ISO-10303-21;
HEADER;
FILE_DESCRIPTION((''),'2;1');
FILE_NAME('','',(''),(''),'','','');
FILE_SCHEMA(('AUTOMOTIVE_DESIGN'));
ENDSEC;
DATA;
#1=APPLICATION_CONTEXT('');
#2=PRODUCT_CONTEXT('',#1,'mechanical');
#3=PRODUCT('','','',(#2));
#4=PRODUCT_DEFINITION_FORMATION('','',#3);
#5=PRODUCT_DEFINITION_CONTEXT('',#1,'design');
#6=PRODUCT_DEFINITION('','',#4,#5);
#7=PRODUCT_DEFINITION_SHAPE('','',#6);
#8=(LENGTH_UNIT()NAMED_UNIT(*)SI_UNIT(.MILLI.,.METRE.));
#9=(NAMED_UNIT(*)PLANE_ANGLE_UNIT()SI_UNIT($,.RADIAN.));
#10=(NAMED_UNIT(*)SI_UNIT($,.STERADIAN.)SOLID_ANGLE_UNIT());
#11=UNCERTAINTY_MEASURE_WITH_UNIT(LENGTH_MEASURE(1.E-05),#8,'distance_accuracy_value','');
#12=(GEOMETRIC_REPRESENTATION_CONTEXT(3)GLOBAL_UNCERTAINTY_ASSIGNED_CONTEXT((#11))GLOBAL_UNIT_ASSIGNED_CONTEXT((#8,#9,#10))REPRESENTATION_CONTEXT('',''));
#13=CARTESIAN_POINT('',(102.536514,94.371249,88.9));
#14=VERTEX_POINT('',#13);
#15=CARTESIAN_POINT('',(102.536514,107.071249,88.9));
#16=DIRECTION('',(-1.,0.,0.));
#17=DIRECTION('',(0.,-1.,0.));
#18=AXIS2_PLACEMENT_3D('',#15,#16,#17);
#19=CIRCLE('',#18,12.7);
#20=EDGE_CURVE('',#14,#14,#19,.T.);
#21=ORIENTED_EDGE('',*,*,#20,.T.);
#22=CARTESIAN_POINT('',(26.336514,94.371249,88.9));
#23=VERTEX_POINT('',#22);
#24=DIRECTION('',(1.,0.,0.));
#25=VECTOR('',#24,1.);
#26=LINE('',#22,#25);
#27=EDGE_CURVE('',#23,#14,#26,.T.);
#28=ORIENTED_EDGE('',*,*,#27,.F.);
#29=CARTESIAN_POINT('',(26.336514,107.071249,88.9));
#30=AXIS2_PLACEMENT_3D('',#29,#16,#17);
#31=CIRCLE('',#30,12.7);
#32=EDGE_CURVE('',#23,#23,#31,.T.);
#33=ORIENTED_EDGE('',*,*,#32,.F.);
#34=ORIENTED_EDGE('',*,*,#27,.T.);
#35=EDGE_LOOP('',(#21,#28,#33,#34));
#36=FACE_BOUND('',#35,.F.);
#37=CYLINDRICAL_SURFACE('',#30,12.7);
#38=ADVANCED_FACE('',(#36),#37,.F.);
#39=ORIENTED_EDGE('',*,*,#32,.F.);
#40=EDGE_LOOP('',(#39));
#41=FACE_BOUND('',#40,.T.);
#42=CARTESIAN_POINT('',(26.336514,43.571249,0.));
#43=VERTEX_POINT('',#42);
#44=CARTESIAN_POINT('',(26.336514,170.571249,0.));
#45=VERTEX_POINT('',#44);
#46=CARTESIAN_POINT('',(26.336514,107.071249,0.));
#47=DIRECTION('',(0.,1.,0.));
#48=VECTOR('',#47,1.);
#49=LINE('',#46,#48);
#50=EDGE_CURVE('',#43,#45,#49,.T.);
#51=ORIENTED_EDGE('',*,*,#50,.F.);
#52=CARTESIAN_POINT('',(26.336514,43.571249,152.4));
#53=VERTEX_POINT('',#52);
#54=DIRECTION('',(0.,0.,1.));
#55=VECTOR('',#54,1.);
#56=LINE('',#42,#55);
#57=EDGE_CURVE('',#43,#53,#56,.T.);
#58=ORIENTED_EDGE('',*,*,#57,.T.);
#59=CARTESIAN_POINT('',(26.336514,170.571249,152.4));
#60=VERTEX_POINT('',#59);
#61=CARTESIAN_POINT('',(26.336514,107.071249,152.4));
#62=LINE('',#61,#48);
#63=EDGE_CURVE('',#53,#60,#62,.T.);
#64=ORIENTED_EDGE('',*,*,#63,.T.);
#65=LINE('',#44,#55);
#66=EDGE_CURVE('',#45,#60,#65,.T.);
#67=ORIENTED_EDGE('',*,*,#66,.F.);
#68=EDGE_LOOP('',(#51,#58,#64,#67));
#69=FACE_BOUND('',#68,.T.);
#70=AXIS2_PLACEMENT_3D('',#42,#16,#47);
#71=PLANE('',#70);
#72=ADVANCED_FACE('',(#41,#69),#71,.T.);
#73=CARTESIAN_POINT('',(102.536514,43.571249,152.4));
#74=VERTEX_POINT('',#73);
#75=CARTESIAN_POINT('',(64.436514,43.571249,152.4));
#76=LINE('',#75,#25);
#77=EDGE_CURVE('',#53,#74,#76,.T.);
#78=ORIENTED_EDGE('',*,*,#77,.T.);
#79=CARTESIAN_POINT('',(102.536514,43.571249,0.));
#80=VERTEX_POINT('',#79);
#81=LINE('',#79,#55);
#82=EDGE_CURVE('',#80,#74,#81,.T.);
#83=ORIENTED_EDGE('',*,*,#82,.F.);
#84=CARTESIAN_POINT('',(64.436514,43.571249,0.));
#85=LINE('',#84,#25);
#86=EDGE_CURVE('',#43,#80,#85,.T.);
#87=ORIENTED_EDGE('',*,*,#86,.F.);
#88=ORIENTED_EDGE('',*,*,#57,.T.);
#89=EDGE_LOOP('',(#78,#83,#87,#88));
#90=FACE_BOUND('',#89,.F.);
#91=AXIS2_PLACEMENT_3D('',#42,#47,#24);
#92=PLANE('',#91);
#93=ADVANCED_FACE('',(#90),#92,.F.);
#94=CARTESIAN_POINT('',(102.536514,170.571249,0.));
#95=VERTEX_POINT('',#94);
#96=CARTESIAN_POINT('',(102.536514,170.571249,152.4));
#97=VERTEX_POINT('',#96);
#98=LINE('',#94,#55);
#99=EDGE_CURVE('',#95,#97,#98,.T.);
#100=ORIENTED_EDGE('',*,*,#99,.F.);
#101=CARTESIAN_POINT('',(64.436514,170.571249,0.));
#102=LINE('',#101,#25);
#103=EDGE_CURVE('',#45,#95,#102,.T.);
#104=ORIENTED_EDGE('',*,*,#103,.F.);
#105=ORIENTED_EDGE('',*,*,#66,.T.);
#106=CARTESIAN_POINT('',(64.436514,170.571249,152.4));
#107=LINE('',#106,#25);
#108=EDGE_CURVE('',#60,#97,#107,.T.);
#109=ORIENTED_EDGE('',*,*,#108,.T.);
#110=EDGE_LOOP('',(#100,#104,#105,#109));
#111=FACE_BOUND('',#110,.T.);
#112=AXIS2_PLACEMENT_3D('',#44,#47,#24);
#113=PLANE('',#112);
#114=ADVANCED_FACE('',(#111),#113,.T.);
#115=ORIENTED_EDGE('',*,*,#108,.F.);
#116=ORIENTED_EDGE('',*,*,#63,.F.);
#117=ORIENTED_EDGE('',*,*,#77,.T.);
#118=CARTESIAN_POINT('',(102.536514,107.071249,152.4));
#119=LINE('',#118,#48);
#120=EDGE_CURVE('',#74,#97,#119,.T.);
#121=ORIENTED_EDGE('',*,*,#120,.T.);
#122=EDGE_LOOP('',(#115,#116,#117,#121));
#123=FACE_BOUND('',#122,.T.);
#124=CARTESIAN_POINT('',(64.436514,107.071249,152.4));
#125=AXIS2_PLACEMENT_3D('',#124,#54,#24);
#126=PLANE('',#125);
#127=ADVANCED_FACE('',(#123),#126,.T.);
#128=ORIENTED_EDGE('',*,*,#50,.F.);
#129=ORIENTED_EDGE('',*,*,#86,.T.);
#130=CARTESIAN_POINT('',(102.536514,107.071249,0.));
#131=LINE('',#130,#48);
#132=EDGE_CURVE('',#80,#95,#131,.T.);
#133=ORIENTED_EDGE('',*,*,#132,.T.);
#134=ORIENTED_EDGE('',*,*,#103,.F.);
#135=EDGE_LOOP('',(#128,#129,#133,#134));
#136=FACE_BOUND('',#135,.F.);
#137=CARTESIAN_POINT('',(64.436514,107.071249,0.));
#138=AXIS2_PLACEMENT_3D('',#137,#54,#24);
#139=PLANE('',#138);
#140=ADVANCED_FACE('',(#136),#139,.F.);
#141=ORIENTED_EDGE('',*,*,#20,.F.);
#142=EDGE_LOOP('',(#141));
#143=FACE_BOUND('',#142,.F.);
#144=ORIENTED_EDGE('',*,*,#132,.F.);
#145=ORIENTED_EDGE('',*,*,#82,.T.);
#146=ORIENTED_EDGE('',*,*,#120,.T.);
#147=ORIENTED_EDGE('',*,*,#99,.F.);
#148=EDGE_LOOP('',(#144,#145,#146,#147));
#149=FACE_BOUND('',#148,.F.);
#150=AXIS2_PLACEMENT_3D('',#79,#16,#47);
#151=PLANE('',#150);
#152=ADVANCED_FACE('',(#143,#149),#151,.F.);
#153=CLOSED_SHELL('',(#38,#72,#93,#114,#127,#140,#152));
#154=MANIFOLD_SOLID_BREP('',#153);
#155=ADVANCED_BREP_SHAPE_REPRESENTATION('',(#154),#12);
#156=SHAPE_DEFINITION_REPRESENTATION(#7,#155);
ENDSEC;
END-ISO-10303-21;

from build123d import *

# Parameters (mm, degrees)
F0_W     = 76.2
F0_H     = 127
F1_DEPTH = 152.4
F2_R     = 12.7
F3_DEPTH = 76.201


with BuildPart() as f1:
    # F0 (on Top) → F1 (new body)
    with BuildSketch(Plane.XY):
        with Locations((64.436514, 107.071249)):
            Rectangle(F0_W, F0_H)
    extrude(amount=F1_DEPTH)

    # F2 (on face) → F3 (cut, through all)
    with BuildSketch(Plane(origin=(26.336514, 0, 0), x_dir=(0, -1, 0), z_dir=(-1, 0, 0))):
        with Locations((-107.071249, 88.9)):
            Circle(F2_R)
    extrude(amount=-F3_DEPTH, mode=Mode.SUBTRACT)


solid = f1.part
